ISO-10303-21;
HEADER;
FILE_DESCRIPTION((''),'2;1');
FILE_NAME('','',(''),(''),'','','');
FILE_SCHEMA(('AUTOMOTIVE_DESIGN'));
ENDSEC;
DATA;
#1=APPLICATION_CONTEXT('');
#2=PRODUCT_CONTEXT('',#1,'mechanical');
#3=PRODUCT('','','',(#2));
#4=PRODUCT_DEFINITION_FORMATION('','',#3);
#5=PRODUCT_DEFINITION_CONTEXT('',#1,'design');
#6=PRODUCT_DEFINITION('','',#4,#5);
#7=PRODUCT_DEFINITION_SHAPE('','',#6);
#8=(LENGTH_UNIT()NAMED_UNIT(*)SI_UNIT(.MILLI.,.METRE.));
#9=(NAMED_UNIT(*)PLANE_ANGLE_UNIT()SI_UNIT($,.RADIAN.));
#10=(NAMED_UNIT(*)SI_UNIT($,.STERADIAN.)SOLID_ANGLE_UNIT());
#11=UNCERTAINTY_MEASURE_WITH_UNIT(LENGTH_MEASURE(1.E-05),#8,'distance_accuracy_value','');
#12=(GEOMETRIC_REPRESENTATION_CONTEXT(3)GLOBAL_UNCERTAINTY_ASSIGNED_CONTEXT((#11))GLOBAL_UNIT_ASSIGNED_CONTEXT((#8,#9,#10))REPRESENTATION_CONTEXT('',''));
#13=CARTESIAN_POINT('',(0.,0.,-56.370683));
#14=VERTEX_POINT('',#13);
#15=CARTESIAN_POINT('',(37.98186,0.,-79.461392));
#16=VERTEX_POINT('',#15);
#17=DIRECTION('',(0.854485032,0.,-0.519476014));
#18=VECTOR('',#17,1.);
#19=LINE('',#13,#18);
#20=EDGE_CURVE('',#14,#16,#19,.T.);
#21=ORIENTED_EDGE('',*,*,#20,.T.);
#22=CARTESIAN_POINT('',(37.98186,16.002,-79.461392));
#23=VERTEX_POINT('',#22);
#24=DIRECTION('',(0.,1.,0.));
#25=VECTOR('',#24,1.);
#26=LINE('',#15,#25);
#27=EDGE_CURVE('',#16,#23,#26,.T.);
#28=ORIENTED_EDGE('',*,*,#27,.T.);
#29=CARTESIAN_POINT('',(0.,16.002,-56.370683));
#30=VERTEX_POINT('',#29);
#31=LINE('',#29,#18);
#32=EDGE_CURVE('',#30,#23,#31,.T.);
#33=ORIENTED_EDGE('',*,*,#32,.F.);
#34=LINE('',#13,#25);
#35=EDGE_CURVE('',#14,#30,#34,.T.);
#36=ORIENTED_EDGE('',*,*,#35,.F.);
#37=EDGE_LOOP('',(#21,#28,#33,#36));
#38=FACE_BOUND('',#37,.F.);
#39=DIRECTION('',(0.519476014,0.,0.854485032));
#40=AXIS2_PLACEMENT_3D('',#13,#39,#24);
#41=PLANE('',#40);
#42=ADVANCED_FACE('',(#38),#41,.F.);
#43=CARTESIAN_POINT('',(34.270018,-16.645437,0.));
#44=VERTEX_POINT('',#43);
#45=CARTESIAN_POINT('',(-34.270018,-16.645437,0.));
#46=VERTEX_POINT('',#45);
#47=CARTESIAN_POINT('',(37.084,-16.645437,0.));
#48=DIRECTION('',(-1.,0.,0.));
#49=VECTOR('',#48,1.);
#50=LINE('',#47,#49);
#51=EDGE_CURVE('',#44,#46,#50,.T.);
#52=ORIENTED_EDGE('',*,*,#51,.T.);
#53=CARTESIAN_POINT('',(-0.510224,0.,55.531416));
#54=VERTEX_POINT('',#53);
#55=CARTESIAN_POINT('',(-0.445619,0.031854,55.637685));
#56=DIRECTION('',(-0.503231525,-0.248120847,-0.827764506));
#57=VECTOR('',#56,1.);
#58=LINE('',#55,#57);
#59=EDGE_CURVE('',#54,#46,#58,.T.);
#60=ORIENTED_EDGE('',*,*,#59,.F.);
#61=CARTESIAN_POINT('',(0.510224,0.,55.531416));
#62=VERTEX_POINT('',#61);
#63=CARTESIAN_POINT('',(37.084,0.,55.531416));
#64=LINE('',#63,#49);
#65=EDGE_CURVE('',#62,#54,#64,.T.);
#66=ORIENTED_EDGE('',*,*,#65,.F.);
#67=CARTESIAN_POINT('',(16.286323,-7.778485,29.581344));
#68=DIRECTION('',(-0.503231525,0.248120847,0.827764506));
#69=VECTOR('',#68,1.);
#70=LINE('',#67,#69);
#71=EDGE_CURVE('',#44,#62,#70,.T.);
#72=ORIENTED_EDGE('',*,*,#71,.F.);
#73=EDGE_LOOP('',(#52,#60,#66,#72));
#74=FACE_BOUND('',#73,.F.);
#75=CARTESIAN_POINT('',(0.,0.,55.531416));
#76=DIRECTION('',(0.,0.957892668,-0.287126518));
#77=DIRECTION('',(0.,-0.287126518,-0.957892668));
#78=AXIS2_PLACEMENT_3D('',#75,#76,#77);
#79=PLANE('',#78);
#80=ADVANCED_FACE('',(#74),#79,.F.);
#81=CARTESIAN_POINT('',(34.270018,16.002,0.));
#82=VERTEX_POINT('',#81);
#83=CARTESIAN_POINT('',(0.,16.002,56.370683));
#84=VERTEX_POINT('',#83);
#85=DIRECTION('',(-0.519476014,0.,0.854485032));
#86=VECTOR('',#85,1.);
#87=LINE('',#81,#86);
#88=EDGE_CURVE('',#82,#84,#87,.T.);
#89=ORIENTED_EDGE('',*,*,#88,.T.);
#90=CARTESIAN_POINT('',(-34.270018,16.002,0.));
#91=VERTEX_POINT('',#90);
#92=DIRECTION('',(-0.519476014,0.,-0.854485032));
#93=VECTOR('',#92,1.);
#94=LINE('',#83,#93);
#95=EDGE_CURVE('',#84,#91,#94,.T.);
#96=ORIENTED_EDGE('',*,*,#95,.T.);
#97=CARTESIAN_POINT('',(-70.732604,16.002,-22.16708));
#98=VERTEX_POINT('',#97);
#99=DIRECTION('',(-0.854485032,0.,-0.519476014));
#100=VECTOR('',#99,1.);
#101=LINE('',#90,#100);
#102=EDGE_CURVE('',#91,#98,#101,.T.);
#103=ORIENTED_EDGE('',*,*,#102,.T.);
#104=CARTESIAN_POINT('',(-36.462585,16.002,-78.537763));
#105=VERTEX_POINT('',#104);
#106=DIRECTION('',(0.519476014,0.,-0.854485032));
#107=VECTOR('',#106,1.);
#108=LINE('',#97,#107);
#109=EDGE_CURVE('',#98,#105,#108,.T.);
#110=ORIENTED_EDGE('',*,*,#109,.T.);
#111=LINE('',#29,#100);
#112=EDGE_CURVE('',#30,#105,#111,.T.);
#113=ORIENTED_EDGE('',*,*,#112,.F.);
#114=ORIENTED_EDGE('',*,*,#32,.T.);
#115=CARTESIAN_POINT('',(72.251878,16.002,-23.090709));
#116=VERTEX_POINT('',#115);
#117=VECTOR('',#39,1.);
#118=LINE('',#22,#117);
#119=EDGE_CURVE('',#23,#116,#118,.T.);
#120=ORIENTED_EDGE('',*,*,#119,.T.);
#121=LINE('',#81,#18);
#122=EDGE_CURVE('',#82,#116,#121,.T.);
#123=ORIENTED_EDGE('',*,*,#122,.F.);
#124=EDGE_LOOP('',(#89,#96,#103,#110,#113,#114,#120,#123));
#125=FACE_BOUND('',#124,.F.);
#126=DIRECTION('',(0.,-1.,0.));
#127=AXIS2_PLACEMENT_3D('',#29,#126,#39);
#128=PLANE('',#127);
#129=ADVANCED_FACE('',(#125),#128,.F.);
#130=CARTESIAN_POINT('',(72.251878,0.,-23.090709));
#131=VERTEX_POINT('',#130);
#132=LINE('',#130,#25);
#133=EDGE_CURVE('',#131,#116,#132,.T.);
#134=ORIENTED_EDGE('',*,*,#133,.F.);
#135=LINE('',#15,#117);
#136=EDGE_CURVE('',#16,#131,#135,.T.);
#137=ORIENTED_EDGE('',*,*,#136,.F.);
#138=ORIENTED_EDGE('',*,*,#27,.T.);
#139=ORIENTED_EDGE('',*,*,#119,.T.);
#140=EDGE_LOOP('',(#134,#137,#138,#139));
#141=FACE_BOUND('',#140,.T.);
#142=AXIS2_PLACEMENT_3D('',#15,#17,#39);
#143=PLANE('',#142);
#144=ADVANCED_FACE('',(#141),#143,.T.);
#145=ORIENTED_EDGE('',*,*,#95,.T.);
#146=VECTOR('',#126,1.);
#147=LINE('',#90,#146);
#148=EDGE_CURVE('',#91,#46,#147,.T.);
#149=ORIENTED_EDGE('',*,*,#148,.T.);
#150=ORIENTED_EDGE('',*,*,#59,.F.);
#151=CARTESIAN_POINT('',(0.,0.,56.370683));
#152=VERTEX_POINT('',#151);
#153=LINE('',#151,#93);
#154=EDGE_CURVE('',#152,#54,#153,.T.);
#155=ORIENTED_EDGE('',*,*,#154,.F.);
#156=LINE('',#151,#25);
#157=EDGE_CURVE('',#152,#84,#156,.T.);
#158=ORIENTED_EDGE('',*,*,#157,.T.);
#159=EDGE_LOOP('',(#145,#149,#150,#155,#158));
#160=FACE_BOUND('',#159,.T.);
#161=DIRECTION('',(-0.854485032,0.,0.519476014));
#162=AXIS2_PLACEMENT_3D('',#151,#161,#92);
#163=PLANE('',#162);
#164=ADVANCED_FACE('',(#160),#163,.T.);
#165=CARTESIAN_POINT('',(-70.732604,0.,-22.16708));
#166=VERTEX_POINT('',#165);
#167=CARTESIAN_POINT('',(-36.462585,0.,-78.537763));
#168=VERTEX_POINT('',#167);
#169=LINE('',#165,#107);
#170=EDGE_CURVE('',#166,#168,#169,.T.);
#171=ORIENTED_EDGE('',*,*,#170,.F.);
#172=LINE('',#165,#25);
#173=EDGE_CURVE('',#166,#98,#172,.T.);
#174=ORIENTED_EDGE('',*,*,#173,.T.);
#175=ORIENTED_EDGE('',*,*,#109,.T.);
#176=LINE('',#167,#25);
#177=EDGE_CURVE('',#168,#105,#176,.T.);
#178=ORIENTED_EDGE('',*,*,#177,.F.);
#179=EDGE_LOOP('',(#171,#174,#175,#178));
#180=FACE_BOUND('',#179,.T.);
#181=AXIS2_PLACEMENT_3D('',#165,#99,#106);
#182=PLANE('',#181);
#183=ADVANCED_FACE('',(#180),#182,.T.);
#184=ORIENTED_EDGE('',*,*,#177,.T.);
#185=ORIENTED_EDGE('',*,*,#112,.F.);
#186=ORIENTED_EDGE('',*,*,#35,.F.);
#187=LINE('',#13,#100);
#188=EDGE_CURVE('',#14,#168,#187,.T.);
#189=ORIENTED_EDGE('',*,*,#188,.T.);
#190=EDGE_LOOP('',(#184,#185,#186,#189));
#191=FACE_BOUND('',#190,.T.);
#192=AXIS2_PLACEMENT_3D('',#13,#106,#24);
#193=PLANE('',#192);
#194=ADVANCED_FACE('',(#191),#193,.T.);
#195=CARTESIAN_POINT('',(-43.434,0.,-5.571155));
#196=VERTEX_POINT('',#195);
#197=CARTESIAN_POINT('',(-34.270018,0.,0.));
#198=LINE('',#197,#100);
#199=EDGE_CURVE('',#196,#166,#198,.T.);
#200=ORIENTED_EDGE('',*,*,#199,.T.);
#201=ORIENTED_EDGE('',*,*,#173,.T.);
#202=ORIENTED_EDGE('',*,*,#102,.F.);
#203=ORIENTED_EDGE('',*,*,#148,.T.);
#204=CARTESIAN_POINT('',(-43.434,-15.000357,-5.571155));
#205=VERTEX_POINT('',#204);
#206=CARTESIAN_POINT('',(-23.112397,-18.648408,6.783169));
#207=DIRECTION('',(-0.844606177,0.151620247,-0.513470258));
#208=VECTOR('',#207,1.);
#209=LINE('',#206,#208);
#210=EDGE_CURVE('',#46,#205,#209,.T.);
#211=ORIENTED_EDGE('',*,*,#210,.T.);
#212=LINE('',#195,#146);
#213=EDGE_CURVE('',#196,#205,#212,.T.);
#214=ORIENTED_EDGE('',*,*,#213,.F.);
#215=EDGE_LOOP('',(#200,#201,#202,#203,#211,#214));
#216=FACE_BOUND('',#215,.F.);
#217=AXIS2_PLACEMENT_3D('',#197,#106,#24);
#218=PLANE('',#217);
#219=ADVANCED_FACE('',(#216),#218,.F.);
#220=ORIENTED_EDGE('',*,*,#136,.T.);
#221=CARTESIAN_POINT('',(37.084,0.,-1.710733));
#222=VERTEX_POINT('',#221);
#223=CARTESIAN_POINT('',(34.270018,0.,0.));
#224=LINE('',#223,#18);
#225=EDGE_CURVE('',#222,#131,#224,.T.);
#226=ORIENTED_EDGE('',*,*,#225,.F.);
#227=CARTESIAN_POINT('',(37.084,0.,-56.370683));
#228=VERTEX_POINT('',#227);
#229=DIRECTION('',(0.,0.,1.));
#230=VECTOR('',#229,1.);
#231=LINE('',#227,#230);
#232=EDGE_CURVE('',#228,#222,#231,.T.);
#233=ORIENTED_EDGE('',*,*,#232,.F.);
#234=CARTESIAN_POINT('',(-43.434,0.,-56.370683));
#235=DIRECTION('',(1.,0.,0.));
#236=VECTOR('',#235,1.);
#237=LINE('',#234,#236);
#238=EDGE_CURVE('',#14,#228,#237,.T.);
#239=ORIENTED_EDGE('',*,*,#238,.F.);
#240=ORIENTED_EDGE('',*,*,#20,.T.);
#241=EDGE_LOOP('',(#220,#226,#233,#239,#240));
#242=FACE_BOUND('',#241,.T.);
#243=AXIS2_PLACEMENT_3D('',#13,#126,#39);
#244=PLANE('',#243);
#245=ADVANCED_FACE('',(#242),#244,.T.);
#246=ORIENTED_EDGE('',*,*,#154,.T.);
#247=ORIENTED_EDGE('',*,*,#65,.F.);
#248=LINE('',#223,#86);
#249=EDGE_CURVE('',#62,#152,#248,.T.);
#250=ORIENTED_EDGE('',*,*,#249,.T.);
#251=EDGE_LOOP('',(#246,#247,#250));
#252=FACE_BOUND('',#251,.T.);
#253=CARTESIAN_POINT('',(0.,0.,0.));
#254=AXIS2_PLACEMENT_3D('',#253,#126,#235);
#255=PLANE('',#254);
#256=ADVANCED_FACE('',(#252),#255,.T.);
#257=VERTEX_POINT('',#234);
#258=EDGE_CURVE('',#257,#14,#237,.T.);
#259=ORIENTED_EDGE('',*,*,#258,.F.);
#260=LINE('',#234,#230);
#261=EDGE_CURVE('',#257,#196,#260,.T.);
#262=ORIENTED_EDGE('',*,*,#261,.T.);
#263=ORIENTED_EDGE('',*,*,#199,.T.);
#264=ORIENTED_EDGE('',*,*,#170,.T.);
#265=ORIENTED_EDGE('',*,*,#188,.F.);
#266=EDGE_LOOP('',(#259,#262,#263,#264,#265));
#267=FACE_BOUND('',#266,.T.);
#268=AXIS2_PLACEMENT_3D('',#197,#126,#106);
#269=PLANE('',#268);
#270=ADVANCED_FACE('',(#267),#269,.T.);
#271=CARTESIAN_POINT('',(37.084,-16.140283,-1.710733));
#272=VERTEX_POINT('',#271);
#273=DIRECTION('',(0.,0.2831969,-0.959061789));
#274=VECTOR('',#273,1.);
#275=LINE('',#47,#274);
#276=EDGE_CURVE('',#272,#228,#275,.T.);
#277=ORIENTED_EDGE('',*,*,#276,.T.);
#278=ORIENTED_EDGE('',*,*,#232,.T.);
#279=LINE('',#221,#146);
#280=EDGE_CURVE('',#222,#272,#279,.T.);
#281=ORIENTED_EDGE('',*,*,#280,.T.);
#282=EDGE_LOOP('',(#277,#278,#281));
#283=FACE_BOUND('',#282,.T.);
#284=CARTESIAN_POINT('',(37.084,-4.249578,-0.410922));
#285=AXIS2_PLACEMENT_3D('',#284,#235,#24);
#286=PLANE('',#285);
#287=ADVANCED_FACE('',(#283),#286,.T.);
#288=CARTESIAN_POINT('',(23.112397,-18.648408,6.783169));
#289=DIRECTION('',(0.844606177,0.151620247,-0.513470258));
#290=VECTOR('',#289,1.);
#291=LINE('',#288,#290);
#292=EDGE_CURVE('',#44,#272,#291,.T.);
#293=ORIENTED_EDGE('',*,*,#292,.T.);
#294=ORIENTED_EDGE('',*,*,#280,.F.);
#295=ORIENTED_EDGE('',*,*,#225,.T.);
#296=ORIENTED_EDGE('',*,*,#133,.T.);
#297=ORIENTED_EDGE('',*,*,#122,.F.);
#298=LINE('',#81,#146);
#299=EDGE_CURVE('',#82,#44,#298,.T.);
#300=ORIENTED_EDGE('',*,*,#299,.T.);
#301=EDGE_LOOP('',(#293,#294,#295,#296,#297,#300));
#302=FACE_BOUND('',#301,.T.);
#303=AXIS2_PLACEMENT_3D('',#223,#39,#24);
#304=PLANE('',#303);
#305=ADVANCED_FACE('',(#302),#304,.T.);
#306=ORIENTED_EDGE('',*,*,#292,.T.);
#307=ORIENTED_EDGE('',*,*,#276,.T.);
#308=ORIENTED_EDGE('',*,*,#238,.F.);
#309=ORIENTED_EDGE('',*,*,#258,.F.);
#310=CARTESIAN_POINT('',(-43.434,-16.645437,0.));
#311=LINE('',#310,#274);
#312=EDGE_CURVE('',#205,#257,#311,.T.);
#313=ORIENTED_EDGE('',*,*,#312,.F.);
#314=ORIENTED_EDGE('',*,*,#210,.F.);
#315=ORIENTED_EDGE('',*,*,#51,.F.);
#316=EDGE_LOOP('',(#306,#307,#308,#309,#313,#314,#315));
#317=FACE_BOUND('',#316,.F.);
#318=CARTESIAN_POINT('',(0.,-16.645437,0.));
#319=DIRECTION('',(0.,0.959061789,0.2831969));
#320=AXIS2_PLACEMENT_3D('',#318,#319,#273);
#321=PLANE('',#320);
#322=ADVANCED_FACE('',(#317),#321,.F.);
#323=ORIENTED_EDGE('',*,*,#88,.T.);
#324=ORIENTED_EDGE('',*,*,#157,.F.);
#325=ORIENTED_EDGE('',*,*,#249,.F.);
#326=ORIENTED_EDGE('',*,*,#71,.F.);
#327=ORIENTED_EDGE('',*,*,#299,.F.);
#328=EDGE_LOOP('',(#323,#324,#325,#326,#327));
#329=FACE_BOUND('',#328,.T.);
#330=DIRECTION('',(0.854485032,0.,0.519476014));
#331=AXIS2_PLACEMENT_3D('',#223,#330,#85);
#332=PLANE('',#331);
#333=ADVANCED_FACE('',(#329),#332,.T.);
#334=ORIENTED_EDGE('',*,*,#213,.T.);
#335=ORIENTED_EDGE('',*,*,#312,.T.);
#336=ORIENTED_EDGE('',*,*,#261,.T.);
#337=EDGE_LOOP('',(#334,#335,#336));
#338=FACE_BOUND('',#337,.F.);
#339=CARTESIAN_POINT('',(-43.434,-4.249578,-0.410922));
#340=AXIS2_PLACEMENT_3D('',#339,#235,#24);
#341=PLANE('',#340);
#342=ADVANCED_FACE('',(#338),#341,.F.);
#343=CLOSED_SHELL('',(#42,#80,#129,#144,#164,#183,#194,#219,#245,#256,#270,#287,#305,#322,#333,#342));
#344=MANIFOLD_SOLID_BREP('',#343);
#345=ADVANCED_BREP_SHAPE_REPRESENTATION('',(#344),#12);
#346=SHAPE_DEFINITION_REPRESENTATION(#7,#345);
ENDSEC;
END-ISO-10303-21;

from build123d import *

# Parameters (mm, degrees)
F2_DEPTH = 43.434
F3_DEPTH = 37.084
F4_DEPTH = 16.002
F5_DEPTH = 42.672
F6_DEPTH = 44.45
F7_DEPTH = 25.4
F8_DEPTH = 25.4


with BuildPart() as f2:
    # F1 (on Right) → F2 (new body)
    with BuildSketch(Plane.YZ):
        Polygon((-16.6454371065, 0), (0, -56.3706830144), (0, 0), (0, 55.5314160883), align=None)
    extrude(amount=-F2_DEPTH)

    # F3 (add): a face of the model
    f3_faces = [f2.faces().sort_by_distance(p)[0] for p in [
        (0, -5.5484790355, -0.279755642),
    ]]
    extrude(f3_faces, amount=F3_DEPTH)

    # F0 (on Front) → F4 (join)
    with BuildSketch(Plane.XZ):
        Polygon((0, 56.3706830144), (-34.2700183392, 0), (0, -56.3706830144), (34.2700183392, 0), align=None)
    extrude(amount=-F4_DEPTH)

    # F5 (add): a face of the model
    f5_faces = [f2.faces().sort_by_distance(p)[0] for p in [
        (-17.1350091696, 8.001, -28.1853415072),
    ]]
    extrude(f5_faces, amount=F5_DEPTH)

    # F6 (add): a face of the model
    f6_faces = [f2.faces().sort_by_distance(p)[0] for p in [
        (17.1350091696, 8.001, -28.1853415072),
    ]]
    extrude(f6_faces, amount=F6_DEPTH)

    # F7 (cut): a face of the model
    f7_faces = [f2.faces().sort_by_distance(p)[0] for p in [
        (-28.7931585995, 0, 33.1465043739),
    ]]
    extrude(f7_faces, amount=-F7_DEPTH, mode=Mode.SUBTRACT)

    # F8 (cut): a face of the model
    f8_faces = [f2.faces().sort_by_distance(p)[0] for p in [
        (24.8505885604, 0, 35.6188502379),
    ]]
    extrude(f8_faces, amount=-F8_DEPTH, mode=Mode.SUBTRACT)


solid = f2.part
